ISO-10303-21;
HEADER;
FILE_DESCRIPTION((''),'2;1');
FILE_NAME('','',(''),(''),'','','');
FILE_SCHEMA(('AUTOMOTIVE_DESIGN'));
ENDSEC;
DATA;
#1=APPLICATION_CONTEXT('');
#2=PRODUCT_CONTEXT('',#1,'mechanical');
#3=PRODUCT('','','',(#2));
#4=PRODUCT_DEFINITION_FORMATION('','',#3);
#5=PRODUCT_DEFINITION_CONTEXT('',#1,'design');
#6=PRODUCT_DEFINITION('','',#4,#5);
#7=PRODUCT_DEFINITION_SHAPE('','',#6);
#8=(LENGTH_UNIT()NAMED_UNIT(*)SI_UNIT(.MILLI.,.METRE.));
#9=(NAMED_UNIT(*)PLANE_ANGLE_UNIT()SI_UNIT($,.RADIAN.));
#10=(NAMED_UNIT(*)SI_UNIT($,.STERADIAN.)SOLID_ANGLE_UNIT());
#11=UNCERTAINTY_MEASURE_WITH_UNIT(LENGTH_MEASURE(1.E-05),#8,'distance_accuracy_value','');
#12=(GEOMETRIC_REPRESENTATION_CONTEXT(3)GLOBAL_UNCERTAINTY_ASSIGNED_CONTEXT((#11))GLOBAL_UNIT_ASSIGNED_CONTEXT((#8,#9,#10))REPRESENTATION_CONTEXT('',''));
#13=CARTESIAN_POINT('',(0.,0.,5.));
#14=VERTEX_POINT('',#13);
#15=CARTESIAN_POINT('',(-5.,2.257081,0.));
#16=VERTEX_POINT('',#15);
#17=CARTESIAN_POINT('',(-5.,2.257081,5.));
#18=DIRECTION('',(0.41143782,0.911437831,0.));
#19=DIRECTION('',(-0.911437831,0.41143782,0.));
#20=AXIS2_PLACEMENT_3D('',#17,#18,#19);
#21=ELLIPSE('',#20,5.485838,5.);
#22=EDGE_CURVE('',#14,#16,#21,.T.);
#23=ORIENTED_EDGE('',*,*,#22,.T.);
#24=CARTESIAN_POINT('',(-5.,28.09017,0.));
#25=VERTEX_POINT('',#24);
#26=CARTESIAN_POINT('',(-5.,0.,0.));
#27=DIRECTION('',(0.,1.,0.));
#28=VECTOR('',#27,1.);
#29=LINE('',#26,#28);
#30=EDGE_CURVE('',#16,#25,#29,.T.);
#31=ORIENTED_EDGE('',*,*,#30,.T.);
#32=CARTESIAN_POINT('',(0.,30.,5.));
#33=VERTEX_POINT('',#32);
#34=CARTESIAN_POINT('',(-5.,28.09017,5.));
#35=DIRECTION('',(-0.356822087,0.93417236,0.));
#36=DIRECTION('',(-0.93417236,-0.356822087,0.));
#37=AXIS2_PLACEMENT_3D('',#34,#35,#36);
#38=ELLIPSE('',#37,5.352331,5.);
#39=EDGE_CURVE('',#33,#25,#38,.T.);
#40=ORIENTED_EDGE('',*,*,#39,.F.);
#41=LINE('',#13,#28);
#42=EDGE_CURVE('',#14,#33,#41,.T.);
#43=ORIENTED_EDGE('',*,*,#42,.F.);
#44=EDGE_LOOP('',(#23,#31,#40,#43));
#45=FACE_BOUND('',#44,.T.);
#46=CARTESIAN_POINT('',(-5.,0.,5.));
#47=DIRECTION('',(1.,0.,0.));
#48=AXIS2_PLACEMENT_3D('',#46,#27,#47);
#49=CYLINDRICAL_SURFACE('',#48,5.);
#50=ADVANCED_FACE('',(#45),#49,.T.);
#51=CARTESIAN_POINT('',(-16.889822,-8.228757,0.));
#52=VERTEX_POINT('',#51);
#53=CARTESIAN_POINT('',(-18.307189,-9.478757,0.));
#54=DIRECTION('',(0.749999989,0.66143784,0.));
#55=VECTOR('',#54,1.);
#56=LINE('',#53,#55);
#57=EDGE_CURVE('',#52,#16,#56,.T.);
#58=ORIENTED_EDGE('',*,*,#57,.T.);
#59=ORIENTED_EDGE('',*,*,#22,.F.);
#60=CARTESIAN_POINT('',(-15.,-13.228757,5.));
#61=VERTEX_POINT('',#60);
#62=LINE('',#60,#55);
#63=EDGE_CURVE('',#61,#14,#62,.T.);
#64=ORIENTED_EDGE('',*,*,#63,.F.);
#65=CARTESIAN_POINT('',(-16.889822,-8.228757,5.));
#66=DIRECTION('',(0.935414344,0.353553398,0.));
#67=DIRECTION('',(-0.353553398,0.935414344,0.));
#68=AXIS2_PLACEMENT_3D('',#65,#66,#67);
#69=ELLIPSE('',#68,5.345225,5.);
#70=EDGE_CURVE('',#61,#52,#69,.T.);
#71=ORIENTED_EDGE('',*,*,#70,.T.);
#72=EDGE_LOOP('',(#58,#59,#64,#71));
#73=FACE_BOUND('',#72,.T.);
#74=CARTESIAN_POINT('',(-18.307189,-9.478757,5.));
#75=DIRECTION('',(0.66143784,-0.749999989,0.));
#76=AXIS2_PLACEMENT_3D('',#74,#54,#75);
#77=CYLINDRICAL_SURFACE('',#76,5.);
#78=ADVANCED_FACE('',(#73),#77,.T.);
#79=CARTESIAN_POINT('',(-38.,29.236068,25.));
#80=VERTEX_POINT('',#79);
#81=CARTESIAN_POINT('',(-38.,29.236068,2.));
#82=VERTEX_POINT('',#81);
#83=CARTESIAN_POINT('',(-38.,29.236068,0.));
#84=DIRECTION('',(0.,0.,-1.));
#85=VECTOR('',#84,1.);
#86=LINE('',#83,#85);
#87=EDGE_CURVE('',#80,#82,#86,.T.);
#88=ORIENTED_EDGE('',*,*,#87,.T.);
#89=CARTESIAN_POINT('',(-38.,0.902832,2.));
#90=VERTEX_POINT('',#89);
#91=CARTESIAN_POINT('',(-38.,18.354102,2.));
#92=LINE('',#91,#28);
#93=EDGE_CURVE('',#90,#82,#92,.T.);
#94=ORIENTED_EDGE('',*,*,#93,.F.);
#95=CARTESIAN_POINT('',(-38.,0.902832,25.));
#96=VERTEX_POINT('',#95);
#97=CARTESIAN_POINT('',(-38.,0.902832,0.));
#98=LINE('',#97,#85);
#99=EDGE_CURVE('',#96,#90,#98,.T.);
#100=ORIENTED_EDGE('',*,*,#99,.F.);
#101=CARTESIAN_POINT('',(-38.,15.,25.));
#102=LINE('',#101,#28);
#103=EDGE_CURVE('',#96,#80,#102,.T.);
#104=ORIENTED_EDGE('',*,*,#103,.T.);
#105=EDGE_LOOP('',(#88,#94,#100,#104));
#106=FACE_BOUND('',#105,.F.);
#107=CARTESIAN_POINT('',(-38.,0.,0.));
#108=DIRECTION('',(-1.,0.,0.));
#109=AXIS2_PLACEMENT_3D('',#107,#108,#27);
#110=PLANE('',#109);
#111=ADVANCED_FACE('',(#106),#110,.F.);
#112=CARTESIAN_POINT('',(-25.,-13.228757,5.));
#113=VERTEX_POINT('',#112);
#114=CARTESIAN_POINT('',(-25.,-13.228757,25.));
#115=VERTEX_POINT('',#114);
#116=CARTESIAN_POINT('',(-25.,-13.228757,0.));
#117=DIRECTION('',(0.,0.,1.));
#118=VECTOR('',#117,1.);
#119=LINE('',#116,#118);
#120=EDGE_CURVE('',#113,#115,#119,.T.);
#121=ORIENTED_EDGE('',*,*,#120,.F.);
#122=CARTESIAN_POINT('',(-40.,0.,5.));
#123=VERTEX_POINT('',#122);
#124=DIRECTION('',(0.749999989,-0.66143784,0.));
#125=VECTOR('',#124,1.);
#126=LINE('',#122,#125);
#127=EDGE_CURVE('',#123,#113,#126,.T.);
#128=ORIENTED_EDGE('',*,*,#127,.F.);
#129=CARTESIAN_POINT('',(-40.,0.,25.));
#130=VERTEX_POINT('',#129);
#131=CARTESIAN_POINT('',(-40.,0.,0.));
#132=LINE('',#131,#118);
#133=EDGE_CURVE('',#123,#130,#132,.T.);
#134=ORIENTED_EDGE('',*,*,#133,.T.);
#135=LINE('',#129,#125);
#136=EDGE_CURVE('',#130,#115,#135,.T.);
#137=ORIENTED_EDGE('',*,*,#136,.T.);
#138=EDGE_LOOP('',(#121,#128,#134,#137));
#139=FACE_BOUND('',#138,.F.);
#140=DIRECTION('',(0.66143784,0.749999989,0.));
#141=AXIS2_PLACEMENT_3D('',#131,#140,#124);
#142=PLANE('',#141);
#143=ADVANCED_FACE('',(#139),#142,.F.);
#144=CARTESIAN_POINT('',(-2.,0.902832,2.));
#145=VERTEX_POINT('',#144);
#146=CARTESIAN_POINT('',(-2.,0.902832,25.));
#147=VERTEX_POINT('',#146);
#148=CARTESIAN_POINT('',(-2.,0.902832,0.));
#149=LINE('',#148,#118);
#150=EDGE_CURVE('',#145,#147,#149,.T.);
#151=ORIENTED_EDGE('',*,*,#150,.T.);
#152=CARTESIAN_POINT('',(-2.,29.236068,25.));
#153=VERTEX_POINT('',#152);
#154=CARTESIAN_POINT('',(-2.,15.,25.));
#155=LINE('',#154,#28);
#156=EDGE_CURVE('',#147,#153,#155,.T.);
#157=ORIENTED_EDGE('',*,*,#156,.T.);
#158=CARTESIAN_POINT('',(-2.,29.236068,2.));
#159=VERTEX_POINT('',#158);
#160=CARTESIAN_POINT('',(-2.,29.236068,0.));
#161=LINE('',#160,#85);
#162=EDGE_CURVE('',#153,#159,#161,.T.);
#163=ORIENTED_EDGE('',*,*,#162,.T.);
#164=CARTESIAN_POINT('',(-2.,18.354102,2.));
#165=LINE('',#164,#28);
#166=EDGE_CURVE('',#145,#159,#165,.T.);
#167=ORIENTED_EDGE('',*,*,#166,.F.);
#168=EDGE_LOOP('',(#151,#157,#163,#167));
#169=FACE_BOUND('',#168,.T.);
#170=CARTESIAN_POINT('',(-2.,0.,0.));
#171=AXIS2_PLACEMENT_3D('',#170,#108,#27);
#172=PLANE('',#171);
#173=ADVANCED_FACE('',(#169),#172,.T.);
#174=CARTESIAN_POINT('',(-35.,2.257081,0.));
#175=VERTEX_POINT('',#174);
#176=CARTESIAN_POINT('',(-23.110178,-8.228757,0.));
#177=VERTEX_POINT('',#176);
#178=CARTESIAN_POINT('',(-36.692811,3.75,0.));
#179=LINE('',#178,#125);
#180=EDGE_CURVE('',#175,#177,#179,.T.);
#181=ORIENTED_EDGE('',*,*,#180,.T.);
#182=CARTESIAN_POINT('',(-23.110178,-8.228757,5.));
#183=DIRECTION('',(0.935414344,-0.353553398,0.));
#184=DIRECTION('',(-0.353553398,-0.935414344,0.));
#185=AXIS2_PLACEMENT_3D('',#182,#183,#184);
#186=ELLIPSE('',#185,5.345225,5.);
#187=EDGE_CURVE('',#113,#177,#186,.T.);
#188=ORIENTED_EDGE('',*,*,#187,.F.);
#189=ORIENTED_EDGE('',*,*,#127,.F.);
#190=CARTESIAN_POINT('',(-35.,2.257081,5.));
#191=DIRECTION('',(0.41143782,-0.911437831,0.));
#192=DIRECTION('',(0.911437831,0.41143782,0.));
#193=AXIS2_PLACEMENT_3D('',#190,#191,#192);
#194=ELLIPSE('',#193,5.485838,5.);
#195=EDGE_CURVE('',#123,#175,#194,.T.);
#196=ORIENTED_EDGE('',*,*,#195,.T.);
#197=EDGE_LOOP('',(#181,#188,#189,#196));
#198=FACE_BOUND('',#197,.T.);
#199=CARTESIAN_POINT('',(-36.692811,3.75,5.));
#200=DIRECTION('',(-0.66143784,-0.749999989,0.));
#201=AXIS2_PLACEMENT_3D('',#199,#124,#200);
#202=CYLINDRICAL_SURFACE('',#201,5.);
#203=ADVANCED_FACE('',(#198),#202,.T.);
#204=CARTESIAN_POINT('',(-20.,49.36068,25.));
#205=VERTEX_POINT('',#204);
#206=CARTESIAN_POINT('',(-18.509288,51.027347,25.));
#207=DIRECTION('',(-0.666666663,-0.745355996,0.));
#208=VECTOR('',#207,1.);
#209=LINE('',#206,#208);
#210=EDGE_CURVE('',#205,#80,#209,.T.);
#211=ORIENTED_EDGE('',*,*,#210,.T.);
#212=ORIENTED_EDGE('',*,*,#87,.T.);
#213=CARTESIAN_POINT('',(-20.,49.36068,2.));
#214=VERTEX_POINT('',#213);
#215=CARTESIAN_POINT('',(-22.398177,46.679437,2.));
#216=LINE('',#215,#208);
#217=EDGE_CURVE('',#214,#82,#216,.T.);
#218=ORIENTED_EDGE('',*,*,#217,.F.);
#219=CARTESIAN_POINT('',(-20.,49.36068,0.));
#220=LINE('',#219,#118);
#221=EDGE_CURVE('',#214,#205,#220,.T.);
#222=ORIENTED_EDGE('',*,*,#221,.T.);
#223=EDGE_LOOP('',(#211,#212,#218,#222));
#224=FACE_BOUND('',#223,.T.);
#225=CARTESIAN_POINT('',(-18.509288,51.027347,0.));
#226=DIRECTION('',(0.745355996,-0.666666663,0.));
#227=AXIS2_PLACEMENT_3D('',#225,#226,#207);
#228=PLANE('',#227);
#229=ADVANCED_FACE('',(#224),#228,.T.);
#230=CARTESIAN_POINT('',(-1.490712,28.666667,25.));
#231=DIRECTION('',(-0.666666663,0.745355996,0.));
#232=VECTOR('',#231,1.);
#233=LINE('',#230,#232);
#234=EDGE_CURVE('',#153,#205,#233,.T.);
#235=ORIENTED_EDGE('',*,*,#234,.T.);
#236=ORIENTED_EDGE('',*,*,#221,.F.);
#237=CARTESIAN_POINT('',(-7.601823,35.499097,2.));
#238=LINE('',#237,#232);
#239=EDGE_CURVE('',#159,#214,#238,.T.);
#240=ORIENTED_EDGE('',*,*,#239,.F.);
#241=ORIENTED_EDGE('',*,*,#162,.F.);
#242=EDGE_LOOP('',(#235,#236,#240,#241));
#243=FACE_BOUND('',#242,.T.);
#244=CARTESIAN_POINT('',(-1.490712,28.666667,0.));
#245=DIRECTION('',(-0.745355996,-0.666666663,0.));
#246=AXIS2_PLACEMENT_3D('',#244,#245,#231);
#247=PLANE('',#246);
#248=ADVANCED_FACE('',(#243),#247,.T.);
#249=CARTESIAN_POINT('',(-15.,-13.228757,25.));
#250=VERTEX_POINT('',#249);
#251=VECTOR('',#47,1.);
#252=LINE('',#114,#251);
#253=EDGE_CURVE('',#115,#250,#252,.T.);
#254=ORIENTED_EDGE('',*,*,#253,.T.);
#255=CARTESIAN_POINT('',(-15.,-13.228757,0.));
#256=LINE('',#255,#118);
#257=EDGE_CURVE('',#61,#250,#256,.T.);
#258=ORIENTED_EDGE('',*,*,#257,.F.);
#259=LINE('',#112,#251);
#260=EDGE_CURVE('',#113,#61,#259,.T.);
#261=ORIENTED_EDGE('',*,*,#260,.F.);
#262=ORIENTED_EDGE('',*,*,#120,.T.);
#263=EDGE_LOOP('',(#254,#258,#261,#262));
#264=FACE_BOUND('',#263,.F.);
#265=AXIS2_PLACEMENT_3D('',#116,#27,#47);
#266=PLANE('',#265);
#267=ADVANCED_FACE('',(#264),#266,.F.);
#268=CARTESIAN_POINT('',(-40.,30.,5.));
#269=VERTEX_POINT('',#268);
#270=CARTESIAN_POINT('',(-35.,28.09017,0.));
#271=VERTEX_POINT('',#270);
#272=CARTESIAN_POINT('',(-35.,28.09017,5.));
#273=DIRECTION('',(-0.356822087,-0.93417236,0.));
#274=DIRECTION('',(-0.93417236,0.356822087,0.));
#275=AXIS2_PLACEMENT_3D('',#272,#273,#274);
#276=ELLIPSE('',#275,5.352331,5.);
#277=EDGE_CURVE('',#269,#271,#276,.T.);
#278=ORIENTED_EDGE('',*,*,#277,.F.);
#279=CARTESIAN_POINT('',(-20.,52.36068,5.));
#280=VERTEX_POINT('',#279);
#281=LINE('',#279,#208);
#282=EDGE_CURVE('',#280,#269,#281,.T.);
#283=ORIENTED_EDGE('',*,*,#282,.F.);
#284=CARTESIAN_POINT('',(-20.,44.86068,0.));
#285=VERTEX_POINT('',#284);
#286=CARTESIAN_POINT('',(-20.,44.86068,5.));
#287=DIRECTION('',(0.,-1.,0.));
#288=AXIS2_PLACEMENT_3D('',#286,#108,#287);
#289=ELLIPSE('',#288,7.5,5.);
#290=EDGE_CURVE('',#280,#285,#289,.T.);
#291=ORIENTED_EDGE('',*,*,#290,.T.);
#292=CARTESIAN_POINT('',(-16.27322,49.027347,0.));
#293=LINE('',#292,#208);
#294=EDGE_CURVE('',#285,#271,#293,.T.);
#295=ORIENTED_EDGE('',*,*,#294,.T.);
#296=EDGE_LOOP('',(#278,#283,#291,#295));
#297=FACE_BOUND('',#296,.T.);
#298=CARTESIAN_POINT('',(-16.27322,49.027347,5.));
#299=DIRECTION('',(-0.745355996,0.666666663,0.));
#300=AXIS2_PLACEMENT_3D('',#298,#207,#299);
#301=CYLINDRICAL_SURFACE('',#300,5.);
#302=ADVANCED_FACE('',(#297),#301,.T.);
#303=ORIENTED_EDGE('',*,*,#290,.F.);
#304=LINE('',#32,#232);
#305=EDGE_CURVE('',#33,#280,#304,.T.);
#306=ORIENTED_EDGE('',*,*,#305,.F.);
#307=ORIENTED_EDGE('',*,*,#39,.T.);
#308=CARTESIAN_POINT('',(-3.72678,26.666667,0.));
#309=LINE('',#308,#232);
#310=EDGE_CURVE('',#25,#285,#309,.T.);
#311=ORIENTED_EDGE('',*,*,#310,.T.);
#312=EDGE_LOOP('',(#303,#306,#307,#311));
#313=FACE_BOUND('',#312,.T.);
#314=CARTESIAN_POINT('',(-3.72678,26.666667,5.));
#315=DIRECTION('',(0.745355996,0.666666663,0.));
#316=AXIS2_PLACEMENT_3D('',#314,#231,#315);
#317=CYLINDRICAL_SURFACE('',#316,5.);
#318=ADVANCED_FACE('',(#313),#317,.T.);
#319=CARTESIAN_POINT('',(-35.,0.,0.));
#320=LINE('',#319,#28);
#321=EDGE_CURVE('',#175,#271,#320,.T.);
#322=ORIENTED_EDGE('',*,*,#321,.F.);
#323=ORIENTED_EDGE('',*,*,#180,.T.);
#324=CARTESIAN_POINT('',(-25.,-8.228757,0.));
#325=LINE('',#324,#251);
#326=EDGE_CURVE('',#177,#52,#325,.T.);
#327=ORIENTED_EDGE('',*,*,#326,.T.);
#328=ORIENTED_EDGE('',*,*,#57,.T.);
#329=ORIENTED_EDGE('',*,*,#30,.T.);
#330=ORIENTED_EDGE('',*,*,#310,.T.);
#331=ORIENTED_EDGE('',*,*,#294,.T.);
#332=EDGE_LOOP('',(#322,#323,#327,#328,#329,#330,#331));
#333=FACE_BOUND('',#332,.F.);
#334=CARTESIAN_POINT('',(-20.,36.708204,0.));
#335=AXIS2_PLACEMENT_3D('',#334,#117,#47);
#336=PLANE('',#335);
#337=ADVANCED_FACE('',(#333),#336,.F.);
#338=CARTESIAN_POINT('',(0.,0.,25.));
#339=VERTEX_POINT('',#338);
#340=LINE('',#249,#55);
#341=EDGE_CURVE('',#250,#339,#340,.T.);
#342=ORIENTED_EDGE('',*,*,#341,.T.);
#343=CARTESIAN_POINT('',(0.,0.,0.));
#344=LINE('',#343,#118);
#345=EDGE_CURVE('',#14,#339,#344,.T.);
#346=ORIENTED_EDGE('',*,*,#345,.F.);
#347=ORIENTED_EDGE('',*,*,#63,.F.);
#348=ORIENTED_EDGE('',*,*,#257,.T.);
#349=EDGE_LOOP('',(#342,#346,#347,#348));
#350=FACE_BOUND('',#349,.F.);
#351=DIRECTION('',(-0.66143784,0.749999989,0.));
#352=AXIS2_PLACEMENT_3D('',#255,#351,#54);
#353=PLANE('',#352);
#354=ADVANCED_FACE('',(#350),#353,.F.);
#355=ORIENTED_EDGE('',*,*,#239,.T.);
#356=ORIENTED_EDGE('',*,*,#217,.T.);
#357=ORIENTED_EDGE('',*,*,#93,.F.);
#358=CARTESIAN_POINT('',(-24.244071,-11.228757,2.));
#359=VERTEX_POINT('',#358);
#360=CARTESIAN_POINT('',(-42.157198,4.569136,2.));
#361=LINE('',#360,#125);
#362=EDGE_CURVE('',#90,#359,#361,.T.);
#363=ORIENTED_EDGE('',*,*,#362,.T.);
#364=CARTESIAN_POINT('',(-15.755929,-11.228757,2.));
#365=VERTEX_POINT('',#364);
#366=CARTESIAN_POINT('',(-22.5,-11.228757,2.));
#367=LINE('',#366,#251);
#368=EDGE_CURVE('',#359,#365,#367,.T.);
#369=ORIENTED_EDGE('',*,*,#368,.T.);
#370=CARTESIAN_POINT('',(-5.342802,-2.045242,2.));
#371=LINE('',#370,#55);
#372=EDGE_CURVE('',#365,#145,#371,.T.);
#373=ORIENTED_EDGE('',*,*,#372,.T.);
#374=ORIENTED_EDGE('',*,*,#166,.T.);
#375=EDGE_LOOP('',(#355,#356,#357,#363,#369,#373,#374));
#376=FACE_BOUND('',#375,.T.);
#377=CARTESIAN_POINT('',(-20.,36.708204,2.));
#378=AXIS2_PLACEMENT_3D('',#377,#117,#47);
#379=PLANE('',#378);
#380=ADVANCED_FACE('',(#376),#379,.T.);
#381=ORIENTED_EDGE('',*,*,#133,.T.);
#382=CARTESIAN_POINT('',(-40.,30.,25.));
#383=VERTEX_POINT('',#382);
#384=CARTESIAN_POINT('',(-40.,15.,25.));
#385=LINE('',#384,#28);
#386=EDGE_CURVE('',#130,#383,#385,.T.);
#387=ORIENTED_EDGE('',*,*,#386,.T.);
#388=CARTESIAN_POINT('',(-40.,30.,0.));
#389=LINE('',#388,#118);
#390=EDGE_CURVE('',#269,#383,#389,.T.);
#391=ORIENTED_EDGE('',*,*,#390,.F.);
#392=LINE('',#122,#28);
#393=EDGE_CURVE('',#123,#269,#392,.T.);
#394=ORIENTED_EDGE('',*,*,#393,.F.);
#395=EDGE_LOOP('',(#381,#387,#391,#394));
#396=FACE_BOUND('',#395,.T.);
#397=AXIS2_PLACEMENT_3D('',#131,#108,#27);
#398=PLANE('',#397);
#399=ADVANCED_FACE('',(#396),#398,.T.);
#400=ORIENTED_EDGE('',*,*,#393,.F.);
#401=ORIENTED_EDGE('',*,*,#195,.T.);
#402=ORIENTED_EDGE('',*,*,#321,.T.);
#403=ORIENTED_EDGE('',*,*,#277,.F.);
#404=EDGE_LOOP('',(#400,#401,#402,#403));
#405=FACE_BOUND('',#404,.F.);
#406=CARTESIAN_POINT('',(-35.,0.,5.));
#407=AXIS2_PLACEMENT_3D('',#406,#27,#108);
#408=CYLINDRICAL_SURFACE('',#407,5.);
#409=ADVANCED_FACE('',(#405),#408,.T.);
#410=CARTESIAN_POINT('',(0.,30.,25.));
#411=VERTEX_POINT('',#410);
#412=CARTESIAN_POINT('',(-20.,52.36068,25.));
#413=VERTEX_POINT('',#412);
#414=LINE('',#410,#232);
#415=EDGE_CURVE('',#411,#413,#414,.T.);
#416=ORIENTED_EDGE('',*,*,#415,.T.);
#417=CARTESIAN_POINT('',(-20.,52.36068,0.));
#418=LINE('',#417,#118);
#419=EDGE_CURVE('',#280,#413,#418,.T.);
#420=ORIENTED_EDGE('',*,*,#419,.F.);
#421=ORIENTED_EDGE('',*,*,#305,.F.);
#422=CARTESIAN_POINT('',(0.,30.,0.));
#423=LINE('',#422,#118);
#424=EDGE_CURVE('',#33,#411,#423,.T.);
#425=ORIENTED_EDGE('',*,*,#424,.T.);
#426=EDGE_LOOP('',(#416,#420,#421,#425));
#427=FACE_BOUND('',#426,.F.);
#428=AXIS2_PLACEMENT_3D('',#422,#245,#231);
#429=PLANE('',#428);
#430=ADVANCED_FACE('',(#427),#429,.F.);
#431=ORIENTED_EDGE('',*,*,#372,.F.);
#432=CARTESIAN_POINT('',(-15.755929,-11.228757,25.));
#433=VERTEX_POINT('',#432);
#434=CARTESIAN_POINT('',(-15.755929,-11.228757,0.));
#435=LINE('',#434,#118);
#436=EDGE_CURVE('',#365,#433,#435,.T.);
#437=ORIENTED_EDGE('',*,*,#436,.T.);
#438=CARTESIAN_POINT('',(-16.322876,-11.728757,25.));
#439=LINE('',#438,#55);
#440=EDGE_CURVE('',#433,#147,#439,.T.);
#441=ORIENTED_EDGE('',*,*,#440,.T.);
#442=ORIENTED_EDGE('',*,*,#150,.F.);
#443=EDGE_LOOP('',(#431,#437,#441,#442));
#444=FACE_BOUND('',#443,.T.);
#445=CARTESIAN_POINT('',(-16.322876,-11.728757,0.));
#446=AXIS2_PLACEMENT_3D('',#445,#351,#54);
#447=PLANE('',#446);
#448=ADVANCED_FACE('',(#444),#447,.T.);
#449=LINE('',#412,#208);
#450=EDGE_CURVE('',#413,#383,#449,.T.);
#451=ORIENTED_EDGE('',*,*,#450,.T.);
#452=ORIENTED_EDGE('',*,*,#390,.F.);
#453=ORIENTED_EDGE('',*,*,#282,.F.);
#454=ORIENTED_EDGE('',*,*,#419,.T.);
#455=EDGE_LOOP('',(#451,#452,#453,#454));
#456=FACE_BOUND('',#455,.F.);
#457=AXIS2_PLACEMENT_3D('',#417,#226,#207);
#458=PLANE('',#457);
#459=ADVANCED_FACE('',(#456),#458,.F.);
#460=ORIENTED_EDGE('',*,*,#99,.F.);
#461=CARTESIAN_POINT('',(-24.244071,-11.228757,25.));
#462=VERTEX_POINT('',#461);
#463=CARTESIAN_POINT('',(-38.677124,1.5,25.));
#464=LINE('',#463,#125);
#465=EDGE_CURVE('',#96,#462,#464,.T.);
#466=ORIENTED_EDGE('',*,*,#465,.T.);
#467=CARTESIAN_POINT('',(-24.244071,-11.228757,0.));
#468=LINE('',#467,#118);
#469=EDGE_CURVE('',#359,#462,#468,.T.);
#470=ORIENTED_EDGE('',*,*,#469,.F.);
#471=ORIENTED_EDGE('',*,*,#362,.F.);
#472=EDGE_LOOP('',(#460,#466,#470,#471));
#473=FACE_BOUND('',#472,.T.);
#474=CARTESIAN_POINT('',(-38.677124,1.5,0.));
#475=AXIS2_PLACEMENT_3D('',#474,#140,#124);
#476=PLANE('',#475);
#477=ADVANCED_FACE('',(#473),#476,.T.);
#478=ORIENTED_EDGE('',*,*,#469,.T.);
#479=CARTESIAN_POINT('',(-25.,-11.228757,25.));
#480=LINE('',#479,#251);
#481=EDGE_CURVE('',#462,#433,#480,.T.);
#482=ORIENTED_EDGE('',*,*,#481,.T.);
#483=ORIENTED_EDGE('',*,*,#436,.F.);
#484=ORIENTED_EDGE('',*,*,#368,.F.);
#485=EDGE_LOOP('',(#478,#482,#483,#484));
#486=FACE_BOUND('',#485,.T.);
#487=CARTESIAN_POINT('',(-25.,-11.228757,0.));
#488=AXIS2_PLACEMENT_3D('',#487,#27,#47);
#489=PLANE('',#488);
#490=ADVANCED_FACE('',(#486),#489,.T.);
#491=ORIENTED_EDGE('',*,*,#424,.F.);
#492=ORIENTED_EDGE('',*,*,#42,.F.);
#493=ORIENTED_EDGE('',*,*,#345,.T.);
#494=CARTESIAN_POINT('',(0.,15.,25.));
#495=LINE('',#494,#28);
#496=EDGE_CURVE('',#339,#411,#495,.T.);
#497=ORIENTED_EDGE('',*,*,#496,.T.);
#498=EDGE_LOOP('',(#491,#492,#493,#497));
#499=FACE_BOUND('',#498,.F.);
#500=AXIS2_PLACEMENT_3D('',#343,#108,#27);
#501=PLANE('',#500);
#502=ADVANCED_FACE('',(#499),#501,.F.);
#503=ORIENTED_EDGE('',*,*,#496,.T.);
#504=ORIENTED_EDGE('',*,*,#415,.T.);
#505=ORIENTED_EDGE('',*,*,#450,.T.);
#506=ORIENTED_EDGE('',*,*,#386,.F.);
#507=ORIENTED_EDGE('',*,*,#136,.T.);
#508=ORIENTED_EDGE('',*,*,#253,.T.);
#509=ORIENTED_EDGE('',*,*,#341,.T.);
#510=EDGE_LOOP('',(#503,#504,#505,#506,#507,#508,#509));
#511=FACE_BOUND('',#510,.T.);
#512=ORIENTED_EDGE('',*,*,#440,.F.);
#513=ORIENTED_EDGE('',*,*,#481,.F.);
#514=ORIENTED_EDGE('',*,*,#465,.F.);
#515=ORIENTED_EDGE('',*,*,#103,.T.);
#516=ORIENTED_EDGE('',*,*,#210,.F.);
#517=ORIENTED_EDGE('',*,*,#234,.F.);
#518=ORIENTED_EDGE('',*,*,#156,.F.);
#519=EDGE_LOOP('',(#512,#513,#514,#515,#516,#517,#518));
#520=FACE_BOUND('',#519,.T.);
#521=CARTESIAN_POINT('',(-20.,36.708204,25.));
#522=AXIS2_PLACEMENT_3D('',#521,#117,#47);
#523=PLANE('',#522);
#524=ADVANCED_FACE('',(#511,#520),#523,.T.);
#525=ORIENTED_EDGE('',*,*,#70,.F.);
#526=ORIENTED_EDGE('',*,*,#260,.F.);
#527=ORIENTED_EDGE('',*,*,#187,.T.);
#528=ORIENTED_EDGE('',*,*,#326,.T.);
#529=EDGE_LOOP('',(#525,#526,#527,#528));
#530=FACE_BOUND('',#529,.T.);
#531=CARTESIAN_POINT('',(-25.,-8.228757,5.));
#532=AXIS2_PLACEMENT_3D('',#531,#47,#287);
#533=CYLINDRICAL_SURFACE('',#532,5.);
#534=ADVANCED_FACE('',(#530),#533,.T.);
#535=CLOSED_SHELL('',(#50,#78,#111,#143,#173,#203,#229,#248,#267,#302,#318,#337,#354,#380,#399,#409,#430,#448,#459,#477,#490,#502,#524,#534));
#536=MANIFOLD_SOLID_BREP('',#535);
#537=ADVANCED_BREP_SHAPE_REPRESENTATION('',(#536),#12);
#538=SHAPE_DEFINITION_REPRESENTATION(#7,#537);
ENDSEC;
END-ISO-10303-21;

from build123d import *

# Parameters (mm, degrees)
F0_W     = 40
F0_H     = 30
F1_DEPTH = 25
F2_T     = -2
F3_R     = 5


with BuildPart() as f1:
    # F0 (on Top) → F1 (new body)
    with BuildSketch(Plane.XY):
        Polygon((0, 30), (-20, 52.36068), (-40, 30), align=None)
        with Locations((-20, 15)):
            Rectangle(F0_W, F0_H)
        Polygon((0, 0), (-40, 0), (-25, -13.228757), (-15, -13.228757), align=None)
    extrude(amount=F1_DEPTH)

    # F2
    f2_openings = [f1.faces().sort_by_distance(p)[0] for p in [
        (-20, 16.683957, 25),
    ]]
    offset(amount=F2_T, openings=f2_openings)

    # F3
    f3_edges = [f1.edges().sort_by_distance(p)[0] for p in [
        (-40, 15, 0),
        (-30, 41.18034, 0),
        (-10, 41.18034, 0),
        (0, 15, 0),
        (-32.5, -6.614378, 0),
        (-7.5, -6.614378, 0),
        (-20, -13.228757, 0),
    ]]
    fillet(f3_edges, radius=F3_R)


solid = f1.part
